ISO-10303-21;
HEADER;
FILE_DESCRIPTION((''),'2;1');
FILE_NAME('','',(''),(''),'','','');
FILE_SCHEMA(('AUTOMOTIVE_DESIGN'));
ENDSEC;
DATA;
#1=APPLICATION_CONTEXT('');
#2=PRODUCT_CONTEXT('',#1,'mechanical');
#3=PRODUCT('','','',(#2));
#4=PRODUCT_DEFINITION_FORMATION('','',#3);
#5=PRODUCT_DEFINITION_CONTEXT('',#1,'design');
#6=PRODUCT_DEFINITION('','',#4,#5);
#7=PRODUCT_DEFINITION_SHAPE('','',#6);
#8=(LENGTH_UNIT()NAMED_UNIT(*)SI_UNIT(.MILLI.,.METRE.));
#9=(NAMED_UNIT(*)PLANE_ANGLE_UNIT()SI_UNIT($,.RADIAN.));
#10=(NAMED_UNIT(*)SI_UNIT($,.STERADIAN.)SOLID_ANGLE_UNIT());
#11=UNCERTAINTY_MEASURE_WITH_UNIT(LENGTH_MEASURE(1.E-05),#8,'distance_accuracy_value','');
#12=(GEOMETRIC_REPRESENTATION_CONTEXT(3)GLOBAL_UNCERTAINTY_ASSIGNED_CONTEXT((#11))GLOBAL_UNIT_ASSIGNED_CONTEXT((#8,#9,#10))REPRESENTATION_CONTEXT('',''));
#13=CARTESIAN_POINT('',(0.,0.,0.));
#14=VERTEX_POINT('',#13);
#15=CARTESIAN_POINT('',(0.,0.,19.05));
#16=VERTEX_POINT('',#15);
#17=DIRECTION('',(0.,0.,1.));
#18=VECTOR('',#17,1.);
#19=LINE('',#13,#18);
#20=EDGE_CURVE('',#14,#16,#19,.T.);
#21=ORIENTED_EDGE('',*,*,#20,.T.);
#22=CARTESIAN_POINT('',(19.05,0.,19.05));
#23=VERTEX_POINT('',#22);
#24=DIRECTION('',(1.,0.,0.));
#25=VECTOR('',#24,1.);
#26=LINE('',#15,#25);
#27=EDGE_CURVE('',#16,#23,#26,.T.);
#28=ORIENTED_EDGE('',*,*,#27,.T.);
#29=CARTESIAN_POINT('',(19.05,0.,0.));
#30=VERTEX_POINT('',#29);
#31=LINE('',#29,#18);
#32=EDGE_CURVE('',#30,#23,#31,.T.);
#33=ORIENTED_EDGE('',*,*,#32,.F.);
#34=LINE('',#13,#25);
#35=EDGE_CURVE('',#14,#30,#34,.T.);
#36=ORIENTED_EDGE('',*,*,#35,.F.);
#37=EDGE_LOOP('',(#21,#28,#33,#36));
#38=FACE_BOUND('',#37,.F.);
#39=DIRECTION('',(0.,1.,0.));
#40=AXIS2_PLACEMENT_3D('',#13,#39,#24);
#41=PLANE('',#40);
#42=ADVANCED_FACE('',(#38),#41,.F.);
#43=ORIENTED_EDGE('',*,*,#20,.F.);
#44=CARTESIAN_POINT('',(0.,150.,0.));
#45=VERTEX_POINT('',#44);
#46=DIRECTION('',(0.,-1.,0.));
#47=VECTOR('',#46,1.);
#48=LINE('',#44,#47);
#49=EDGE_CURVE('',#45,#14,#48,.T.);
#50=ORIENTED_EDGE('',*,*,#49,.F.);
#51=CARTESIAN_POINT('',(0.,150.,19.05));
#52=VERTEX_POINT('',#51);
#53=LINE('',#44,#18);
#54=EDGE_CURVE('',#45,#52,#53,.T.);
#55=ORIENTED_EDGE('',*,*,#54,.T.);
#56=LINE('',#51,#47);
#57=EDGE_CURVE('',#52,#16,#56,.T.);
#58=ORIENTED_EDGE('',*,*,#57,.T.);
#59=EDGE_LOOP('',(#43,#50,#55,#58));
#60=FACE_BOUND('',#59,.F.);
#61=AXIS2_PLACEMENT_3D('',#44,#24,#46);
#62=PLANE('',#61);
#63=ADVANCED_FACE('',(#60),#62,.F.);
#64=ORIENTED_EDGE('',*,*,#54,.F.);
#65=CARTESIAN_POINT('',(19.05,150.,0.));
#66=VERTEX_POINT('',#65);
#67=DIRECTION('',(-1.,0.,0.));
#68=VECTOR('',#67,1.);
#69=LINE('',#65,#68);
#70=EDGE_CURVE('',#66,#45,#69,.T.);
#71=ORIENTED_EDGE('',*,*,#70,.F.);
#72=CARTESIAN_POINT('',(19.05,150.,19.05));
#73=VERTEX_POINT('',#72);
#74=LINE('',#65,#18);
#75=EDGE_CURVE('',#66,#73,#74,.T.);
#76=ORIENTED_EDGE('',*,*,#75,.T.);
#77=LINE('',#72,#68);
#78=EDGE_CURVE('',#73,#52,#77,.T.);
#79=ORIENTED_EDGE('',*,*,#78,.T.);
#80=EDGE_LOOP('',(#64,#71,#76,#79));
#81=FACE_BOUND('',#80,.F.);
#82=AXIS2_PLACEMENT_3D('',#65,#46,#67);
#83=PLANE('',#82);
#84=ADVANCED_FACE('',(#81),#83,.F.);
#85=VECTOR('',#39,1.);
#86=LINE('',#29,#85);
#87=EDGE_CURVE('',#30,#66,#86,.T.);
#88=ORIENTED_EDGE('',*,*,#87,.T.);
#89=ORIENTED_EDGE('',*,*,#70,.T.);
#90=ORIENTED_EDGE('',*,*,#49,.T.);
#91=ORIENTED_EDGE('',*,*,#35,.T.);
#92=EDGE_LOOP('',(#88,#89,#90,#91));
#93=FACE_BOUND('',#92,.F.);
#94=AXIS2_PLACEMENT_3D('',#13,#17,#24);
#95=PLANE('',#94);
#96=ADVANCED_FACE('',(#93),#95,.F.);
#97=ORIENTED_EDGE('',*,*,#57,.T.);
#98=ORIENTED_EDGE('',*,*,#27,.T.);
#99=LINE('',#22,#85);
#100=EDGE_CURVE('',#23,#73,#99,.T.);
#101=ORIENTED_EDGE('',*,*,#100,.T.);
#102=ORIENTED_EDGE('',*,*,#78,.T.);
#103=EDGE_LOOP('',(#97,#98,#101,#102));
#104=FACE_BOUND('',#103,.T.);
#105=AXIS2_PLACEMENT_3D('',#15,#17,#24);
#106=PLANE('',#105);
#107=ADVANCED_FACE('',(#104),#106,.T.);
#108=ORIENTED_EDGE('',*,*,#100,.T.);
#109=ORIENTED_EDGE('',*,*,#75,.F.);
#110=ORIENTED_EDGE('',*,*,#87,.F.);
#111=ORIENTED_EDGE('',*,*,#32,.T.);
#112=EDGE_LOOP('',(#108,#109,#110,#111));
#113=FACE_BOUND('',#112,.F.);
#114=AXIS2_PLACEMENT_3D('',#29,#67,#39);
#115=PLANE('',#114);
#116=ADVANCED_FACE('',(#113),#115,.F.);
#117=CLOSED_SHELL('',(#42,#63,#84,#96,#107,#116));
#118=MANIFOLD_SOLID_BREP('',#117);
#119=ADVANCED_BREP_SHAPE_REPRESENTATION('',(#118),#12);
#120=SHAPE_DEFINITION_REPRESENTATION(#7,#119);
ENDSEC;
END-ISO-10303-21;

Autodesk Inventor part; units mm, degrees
ref_plane "YZ Plane" through (0, 0, 0) normal (1, 0, 0) x (0, 1, 0)
ref_plane "XZ Plane" through (0, 0, 0) normal (0, 1, 0) x (-1, 0, 0)
ref_plane "XY Plane" through (0, 0, 0) normal (0, 0, 1) x (1, 0, 0)
sketch "Sketch1" plane through (0, 0, 0) normal (0, 0, 1) x (1, 0, 0)
  line L0 (0, 0) -> (19.05, 0)
  line L1 (19.05, 0) -> (19.05, 150)
  line L2 (19.05, 150) -> (0, 150)
  line L3 (0, 150) -> (0, 0)
  dimension "d0" = 19.05
  dimension "d1" = 150
extrude "Extrusion1" add sketch "Sketch1" along normal blind 19.05
properties part number "C006" material "Wood (Birch)"
